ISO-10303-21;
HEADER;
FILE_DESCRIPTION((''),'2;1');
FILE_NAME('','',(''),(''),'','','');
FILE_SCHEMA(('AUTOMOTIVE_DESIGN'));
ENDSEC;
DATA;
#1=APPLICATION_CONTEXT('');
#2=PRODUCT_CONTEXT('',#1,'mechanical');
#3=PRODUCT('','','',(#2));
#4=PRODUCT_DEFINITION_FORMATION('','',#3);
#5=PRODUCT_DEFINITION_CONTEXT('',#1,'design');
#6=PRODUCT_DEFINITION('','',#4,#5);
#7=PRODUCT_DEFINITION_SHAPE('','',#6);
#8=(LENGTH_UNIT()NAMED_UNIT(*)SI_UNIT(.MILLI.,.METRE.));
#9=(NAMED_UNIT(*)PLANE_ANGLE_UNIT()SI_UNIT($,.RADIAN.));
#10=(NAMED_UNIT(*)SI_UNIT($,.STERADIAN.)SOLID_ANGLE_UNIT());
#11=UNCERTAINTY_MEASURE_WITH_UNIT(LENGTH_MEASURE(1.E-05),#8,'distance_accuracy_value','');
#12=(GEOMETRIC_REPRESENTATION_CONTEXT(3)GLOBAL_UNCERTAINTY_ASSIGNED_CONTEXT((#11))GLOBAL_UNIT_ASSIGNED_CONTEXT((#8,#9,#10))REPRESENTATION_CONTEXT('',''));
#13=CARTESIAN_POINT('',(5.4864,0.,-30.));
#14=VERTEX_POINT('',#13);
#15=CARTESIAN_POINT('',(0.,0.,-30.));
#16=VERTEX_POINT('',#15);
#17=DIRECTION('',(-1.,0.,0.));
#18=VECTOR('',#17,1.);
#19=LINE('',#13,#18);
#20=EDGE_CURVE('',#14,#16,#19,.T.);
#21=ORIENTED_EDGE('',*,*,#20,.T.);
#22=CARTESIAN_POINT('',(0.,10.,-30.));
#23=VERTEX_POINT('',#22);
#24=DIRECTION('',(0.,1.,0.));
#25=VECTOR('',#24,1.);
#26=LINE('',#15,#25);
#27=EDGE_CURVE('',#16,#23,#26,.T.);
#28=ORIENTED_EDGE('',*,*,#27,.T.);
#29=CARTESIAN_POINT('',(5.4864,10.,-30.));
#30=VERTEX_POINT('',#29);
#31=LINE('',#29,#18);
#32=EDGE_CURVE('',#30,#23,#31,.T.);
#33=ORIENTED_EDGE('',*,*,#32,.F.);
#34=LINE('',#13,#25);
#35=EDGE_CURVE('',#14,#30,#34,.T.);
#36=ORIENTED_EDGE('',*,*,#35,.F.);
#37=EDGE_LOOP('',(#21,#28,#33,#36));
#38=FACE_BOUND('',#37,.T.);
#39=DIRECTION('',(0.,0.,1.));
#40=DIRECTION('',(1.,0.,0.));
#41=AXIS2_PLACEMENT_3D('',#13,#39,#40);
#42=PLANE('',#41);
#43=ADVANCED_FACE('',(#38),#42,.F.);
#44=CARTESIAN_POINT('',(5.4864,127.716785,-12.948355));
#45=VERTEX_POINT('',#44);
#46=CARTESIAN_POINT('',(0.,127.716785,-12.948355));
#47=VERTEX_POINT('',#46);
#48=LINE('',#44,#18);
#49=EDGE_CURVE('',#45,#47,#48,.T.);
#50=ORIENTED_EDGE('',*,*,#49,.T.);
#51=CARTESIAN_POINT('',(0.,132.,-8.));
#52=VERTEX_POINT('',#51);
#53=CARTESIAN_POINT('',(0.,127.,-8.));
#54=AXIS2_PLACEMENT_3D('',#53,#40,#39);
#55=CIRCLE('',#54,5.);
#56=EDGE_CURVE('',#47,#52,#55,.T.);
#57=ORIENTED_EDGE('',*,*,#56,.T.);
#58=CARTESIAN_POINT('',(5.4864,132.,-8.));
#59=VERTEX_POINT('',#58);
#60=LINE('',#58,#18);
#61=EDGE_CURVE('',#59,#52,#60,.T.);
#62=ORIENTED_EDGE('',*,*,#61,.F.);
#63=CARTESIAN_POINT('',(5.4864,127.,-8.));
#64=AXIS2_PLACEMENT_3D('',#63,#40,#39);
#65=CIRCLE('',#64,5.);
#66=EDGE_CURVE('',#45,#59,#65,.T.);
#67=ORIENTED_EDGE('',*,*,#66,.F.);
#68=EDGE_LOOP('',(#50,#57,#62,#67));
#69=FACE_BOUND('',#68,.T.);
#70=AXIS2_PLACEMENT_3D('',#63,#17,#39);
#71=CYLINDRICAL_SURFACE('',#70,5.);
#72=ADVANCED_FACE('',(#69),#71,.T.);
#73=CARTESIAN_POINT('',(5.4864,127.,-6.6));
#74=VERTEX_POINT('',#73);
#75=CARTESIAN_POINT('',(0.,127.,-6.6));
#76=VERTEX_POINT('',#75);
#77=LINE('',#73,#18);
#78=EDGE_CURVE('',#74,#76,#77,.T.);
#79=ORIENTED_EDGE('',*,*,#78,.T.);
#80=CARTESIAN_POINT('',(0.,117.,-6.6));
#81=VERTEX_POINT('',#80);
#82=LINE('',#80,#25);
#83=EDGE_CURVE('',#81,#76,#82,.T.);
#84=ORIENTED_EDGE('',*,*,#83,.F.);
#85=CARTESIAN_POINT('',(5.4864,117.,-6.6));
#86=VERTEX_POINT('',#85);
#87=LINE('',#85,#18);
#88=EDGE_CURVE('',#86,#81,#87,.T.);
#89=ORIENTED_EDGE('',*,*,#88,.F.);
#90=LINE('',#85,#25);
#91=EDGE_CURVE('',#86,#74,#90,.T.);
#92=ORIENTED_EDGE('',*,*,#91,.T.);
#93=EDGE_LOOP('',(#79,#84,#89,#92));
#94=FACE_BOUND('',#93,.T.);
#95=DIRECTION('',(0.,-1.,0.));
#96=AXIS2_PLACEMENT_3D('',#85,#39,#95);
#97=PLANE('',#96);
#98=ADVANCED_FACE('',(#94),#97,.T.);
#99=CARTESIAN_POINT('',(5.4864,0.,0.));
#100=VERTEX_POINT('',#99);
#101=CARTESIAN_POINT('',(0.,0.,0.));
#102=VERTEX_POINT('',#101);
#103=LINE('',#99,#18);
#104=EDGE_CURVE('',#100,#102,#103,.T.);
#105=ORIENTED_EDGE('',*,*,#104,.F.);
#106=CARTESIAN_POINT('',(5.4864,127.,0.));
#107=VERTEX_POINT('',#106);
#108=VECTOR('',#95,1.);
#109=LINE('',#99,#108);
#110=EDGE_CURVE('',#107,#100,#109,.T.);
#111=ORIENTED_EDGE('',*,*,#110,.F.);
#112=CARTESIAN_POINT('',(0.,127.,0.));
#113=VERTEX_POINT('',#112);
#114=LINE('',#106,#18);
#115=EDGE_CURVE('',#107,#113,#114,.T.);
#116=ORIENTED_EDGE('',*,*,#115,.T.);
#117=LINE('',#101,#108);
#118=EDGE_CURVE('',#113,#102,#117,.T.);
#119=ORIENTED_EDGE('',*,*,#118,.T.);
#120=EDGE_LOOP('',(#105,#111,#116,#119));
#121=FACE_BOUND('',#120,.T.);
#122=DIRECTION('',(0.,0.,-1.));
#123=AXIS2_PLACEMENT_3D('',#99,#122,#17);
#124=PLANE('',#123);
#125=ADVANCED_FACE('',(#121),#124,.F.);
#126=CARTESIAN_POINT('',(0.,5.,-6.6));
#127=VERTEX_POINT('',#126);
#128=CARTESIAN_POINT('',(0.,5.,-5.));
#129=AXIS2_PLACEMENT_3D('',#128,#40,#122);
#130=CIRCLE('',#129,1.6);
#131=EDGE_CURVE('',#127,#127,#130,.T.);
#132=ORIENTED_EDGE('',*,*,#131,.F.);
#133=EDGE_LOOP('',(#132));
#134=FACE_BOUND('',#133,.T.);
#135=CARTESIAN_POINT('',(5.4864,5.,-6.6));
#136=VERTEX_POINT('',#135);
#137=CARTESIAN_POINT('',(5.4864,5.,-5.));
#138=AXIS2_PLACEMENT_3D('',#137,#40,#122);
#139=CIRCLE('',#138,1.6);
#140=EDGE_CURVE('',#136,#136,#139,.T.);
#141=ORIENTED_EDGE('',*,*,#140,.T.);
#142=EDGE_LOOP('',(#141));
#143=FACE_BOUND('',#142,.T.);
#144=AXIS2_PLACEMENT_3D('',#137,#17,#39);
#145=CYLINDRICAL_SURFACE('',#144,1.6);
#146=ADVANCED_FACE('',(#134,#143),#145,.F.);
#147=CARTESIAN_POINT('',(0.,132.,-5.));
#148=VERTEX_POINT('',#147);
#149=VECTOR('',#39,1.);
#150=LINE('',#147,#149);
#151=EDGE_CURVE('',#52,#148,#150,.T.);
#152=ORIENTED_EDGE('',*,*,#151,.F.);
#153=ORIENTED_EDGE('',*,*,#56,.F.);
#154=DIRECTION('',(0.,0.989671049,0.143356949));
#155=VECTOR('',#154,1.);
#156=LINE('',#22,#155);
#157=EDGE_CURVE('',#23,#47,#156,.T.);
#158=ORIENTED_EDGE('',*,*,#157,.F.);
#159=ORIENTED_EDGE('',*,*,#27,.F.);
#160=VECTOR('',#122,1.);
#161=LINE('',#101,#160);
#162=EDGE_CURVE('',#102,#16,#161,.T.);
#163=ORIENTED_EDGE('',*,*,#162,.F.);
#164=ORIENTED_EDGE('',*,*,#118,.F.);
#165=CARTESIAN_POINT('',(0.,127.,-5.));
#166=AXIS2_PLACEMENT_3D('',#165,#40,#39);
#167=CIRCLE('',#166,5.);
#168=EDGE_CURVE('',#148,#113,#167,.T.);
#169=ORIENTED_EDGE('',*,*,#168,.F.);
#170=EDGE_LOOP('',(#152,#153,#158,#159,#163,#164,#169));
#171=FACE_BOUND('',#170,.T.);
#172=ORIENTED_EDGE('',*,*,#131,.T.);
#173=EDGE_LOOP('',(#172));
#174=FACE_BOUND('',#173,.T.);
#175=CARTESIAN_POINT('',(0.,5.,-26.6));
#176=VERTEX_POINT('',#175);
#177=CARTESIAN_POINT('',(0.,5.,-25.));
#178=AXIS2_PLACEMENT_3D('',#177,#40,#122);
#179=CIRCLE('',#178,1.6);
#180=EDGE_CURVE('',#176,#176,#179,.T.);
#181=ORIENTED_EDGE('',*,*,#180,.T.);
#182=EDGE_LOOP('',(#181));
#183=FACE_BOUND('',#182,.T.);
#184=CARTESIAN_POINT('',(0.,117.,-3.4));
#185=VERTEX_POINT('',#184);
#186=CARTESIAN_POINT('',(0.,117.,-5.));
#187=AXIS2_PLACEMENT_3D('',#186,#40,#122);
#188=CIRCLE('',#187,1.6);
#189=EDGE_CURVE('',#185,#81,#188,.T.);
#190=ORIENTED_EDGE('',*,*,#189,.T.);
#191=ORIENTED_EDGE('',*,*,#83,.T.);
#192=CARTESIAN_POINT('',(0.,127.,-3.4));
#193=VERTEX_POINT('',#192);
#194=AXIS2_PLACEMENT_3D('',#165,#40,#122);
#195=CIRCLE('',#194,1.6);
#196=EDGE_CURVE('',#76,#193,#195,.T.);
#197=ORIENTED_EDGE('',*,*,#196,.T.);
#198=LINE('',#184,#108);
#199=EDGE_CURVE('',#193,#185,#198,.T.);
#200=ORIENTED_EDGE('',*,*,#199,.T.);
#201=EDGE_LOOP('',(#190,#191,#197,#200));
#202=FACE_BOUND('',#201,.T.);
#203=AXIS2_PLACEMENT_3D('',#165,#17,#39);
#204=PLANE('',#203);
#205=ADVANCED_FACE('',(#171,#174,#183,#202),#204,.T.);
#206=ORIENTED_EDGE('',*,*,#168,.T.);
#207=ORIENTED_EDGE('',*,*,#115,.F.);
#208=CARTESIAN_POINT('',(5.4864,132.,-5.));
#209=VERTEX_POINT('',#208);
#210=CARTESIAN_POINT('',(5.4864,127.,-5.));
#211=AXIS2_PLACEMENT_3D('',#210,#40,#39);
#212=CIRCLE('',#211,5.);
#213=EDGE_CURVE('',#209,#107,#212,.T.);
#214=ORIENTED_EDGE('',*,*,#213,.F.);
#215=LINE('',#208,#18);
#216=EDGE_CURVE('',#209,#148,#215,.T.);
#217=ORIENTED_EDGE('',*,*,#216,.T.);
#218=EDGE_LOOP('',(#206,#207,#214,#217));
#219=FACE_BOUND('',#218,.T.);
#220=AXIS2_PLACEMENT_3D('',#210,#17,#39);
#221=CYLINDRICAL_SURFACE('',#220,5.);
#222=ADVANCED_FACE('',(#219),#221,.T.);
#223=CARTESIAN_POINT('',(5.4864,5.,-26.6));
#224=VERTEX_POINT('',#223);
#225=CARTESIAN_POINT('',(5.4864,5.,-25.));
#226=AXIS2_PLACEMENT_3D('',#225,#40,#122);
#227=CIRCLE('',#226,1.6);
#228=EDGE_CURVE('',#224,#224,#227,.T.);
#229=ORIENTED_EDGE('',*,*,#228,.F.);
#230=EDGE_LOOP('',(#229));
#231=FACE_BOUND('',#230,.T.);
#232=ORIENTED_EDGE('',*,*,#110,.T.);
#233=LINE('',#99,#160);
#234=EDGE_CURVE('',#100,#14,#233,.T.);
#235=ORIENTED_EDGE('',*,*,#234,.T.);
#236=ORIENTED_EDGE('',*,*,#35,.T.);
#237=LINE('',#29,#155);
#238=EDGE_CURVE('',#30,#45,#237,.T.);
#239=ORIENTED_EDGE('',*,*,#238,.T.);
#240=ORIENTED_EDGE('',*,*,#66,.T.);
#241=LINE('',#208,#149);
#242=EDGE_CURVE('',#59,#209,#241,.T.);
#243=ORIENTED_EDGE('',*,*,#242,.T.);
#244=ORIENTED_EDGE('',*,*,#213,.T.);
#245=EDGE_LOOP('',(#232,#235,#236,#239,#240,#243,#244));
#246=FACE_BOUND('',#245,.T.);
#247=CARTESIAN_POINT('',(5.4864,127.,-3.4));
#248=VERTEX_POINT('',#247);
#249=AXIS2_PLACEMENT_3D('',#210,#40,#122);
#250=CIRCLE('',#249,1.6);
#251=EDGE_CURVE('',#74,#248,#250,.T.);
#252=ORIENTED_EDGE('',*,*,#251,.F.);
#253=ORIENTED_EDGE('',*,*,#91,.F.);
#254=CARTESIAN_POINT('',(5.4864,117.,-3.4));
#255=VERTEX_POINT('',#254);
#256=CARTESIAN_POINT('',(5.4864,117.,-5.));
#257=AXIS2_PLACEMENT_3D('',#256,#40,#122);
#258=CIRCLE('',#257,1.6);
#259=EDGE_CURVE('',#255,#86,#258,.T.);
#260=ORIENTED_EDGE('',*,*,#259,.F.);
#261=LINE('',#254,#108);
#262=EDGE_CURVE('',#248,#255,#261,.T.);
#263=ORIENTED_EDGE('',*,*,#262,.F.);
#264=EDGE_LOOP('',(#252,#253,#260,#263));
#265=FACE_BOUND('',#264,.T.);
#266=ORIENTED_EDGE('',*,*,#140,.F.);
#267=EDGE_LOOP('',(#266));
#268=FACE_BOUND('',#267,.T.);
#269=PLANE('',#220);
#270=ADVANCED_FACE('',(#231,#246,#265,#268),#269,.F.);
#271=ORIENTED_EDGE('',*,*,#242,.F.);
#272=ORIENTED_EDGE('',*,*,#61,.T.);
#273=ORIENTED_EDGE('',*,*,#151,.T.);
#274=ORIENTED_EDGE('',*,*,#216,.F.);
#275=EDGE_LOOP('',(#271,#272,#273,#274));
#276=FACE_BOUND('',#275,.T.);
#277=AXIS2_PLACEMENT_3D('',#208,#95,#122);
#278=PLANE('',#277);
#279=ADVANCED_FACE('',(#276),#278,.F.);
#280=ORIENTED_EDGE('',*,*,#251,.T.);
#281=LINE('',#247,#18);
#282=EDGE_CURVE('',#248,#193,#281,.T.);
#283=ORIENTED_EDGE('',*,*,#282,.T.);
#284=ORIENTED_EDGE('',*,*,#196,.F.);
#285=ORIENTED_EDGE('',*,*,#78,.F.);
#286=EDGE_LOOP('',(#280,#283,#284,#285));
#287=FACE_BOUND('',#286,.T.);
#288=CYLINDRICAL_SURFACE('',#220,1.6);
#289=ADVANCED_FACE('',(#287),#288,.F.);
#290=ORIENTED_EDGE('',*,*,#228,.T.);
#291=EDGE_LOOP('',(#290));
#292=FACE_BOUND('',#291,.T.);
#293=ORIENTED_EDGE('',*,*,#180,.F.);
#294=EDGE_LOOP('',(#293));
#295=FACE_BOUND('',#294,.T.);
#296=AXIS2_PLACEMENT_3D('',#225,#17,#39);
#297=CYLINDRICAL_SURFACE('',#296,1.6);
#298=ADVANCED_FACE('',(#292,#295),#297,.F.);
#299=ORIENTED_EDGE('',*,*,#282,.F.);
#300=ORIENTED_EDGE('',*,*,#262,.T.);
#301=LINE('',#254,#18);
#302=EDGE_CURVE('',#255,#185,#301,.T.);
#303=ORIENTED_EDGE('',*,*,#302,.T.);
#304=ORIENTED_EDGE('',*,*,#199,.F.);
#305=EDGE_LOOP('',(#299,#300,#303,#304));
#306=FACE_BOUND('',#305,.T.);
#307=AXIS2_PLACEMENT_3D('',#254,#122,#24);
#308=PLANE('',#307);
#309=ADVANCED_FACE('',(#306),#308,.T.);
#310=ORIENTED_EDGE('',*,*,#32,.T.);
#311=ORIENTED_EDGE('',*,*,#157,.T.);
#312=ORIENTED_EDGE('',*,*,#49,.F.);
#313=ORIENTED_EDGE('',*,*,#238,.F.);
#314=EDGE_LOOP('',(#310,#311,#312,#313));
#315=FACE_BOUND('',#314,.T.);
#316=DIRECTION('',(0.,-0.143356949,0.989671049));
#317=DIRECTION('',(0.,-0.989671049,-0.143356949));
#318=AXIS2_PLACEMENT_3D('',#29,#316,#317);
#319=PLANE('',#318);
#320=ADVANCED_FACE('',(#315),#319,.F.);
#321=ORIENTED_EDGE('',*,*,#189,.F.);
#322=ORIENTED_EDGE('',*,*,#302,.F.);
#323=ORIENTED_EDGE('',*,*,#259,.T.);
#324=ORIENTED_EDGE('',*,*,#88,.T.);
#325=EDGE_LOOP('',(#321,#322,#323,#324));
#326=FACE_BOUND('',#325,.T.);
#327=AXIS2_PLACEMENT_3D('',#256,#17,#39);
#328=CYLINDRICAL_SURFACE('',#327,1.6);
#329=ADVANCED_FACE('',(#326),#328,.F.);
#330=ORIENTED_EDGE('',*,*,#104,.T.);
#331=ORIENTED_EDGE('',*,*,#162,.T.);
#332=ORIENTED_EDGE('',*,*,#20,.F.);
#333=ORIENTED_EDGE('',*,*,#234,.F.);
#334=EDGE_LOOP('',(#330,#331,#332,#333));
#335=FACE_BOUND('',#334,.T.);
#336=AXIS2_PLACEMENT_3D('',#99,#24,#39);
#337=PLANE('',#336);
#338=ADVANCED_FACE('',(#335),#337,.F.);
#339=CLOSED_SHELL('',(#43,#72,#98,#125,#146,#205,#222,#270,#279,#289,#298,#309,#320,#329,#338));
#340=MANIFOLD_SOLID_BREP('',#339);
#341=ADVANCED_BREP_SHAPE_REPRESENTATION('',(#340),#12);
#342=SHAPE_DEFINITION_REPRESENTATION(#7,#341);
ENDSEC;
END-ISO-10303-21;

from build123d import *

# Parameters (mm, degrees)
SKETCH1_R           = 1.6
BOSS_EXTRUDE1_DEPTH = 5.4864


with BuildPart() as part:
    # Sketch1 → Boss-Extrude1 (new body)
    with BuildSketch(Plane(origin=(0, 0, 0), x_dir=(0, 0, -1), z_dir=(1, 0, 0))):
        with BuildLine():
            Line((0, 0), (30, 0))
            Line((30, 0), (30, 10))
            Line((30, 10), (12.948355245, 127.716784747))
            ThreePointArc((12.948355245, 127.716784747), (11.272313881, 130.780471117), (8, 132))
            Line((8, 132), (5, 132))
            ThreePointArc((5, 132), (1.464466094, 130.535533906), (0, 127))
            Line((0, 127), (0, 0))
        make_face()
        with Locations((5, 5)):
            Circle(SKETCH1_R, mode=Mode.SUBTRACT)
        with Locations((25, 5)):
            Circle(SKETCH1_R, mode=Mode.SUBTRACT)
        with BuildLine():
            Line((3.4, 117), (3.4, 127))
            ThreePointArc((3.4, 127), (5, 128.6), (6.6, 127))
            Line((6.6, 127), (6.6, 117))
            ThreePointArc((6.6, 117), (5, 115.4), (3.4, 117))
        make_face(mode=Mode.SUBTRACT)
    extrude(amount=BOSS_EXTRUDE1_DEPTH)


solid = part.part
